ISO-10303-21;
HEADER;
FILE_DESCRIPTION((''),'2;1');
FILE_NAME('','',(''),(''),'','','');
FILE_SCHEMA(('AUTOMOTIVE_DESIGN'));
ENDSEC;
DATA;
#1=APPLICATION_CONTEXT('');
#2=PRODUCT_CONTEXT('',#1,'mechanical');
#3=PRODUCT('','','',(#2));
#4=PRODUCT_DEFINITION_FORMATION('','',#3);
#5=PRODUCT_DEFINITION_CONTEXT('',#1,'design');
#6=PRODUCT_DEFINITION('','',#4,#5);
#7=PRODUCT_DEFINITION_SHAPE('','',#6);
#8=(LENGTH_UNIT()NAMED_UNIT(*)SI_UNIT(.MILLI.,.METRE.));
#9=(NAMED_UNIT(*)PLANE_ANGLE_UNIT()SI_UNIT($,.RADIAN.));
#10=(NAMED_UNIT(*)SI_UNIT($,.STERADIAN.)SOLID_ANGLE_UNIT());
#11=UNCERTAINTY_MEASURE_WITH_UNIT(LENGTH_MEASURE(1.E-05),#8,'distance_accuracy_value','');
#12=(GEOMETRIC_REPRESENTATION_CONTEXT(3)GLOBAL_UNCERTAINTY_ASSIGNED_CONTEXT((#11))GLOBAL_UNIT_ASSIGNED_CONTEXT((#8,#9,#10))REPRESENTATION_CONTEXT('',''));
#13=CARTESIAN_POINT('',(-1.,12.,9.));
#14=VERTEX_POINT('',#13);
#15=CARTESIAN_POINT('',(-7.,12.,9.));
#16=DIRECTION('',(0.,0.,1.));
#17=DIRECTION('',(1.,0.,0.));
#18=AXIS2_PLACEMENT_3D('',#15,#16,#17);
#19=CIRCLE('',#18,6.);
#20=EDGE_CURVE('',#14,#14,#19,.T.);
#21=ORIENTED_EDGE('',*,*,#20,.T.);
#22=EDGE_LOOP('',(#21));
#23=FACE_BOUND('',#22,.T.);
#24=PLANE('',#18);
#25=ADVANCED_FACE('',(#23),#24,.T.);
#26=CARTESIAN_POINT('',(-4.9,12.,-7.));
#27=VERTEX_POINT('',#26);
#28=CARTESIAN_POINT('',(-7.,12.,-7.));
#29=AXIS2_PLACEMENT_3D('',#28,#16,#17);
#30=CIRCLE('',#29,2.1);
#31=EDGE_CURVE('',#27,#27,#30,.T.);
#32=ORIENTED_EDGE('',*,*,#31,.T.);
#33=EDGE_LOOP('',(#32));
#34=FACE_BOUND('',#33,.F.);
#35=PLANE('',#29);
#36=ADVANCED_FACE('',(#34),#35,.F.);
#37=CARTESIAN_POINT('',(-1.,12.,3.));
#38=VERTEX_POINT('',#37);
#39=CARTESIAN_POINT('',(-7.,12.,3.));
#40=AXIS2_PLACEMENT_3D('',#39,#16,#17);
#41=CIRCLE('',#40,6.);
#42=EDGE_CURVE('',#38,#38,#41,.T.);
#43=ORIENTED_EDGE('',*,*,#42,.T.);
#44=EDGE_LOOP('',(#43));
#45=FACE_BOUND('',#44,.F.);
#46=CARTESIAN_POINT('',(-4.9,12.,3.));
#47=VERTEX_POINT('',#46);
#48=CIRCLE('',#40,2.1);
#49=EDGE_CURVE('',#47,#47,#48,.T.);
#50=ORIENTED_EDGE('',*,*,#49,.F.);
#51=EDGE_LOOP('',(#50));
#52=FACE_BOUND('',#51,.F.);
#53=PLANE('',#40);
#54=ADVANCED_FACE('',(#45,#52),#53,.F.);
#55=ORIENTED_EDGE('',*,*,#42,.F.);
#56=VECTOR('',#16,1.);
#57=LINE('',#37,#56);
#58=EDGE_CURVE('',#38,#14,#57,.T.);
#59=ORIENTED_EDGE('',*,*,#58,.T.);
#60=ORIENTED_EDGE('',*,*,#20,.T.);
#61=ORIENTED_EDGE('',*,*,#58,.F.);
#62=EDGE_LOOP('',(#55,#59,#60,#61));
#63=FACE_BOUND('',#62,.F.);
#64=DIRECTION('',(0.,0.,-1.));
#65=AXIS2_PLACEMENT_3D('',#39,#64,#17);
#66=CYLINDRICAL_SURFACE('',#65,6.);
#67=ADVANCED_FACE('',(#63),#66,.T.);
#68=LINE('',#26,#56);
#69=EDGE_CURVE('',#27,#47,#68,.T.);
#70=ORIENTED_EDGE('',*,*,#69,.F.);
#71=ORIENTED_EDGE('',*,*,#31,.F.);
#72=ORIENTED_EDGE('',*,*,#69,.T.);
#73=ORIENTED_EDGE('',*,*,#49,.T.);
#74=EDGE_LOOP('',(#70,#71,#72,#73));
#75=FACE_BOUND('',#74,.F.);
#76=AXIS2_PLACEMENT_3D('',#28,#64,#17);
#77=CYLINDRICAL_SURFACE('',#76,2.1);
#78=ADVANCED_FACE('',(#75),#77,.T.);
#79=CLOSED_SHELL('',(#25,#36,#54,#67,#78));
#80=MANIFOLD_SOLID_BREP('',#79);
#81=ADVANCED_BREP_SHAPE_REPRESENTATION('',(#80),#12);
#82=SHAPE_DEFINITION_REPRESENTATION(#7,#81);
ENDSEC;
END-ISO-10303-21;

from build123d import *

# Parameters (mm, degrees)
CYLINDER021_R     = 6
CYLINDER021_DEPTH = 6
CYLINDER020_R     = 2.1
CYLINDER020_DEPTH = 10


with BuildPart() as cylinder021:
    # Cylinder021 → Cylinder021 (new body)
    with BuildSketch(Plane.XY.offset(10)):
        Circle(CYLINDER021_R)
    extrude(amount=CYLINDER021_DEPTH)


with BuildPart() as fusion004:
    # Cylinder020 → Cylinder020 (new body)
    with BuildSketch(Plane.XY):
        Circle(CYLINDER020_R)
    extrude(amount=CYLINDER020_DEPTH)

    # Fusion004: union Cylinder021
    add(cylinder021.part)


with BuildPart() as fusion004_1:
    # Fusion004 placement: moved
    add(fusion004.part.moved(Location((-7, 12, -7))))


solid = fusion004_1.part
